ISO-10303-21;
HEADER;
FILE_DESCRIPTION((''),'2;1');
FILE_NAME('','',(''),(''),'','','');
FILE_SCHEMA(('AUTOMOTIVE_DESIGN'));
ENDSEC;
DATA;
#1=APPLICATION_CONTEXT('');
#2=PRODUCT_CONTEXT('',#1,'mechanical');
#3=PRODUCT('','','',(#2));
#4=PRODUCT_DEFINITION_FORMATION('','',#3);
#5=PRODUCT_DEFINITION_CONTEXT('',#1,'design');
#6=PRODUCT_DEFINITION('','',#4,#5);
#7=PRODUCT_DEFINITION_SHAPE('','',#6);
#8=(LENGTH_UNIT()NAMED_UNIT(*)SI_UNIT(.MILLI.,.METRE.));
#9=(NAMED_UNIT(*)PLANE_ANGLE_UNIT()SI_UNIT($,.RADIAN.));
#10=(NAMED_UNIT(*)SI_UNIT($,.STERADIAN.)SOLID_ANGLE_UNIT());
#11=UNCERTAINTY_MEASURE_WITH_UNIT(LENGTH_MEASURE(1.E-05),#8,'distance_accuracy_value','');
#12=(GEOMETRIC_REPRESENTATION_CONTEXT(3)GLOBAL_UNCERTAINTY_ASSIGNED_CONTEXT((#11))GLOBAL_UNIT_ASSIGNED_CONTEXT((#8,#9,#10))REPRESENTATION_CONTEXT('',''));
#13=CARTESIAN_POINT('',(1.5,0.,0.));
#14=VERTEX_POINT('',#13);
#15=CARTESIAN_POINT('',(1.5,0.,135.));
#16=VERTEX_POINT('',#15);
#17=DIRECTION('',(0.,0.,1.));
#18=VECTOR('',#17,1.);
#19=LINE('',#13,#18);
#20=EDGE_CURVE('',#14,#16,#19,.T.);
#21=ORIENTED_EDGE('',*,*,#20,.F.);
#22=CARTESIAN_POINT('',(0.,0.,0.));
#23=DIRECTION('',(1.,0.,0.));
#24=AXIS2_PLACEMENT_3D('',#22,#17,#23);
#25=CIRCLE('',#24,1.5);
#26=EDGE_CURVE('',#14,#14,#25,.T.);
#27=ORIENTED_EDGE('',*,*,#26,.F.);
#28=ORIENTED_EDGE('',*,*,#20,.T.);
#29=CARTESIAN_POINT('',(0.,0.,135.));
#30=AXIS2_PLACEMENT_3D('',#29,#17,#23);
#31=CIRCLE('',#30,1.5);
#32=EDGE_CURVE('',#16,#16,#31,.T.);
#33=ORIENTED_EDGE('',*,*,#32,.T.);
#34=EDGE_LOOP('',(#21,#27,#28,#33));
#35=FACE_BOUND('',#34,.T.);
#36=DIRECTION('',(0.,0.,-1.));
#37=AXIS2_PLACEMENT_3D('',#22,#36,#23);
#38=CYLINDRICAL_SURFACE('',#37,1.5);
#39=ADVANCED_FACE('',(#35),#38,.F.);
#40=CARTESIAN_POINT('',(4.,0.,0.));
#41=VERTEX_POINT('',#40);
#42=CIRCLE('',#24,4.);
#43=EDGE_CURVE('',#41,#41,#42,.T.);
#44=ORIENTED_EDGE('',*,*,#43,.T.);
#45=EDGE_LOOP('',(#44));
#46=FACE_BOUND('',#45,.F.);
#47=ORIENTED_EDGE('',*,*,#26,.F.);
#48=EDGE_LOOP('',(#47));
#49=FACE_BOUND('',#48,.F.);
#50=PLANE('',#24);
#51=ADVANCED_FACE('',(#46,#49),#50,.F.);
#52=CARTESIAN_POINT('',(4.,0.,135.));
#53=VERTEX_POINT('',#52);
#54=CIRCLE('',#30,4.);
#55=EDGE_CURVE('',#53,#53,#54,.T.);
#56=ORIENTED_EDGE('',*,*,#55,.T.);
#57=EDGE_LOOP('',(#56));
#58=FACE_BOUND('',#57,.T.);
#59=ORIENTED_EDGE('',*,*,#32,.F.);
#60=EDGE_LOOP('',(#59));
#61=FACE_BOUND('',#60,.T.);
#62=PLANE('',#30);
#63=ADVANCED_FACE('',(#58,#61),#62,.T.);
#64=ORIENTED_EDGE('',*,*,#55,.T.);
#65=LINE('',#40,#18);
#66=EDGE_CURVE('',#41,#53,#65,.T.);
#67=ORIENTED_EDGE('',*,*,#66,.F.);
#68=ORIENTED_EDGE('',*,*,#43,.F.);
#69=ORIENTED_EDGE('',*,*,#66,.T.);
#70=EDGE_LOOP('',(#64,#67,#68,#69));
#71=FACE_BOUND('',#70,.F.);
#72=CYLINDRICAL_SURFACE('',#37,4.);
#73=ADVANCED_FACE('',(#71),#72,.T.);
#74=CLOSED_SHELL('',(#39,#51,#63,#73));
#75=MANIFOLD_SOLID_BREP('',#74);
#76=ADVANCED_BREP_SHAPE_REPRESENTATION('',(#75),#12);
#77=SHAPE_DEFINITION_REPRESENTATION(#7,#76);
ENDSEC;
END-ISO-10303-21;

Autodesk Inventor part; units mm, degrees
ref_plane "YZ Plane" through (0, 0, 0) normal (1, 0, 0) x (0, 1, 0)
ref_plane "XZ Plane" through (0, 0, 0) normal (0, 1, 0) x (-1, 0, 0)
ref_plane "XY Plane" through (0, 0, 0) normal (0, 0, 1) x (1, 0, 0)
sketch "スケッチ1" plane through (0, 0, 0) normal (0, 0, 1) x (1, 0, 0)
  circle A0 centre (0, 0) radius 4
  circle A1 centre (0, 0) radius 1.5
  dimension "d0" = 8
  dimension "d1" = 3
extrude "押し出し1" add sketch "スケッチ1" along normal blind 135
properties part number "light_ball_space_pole"
